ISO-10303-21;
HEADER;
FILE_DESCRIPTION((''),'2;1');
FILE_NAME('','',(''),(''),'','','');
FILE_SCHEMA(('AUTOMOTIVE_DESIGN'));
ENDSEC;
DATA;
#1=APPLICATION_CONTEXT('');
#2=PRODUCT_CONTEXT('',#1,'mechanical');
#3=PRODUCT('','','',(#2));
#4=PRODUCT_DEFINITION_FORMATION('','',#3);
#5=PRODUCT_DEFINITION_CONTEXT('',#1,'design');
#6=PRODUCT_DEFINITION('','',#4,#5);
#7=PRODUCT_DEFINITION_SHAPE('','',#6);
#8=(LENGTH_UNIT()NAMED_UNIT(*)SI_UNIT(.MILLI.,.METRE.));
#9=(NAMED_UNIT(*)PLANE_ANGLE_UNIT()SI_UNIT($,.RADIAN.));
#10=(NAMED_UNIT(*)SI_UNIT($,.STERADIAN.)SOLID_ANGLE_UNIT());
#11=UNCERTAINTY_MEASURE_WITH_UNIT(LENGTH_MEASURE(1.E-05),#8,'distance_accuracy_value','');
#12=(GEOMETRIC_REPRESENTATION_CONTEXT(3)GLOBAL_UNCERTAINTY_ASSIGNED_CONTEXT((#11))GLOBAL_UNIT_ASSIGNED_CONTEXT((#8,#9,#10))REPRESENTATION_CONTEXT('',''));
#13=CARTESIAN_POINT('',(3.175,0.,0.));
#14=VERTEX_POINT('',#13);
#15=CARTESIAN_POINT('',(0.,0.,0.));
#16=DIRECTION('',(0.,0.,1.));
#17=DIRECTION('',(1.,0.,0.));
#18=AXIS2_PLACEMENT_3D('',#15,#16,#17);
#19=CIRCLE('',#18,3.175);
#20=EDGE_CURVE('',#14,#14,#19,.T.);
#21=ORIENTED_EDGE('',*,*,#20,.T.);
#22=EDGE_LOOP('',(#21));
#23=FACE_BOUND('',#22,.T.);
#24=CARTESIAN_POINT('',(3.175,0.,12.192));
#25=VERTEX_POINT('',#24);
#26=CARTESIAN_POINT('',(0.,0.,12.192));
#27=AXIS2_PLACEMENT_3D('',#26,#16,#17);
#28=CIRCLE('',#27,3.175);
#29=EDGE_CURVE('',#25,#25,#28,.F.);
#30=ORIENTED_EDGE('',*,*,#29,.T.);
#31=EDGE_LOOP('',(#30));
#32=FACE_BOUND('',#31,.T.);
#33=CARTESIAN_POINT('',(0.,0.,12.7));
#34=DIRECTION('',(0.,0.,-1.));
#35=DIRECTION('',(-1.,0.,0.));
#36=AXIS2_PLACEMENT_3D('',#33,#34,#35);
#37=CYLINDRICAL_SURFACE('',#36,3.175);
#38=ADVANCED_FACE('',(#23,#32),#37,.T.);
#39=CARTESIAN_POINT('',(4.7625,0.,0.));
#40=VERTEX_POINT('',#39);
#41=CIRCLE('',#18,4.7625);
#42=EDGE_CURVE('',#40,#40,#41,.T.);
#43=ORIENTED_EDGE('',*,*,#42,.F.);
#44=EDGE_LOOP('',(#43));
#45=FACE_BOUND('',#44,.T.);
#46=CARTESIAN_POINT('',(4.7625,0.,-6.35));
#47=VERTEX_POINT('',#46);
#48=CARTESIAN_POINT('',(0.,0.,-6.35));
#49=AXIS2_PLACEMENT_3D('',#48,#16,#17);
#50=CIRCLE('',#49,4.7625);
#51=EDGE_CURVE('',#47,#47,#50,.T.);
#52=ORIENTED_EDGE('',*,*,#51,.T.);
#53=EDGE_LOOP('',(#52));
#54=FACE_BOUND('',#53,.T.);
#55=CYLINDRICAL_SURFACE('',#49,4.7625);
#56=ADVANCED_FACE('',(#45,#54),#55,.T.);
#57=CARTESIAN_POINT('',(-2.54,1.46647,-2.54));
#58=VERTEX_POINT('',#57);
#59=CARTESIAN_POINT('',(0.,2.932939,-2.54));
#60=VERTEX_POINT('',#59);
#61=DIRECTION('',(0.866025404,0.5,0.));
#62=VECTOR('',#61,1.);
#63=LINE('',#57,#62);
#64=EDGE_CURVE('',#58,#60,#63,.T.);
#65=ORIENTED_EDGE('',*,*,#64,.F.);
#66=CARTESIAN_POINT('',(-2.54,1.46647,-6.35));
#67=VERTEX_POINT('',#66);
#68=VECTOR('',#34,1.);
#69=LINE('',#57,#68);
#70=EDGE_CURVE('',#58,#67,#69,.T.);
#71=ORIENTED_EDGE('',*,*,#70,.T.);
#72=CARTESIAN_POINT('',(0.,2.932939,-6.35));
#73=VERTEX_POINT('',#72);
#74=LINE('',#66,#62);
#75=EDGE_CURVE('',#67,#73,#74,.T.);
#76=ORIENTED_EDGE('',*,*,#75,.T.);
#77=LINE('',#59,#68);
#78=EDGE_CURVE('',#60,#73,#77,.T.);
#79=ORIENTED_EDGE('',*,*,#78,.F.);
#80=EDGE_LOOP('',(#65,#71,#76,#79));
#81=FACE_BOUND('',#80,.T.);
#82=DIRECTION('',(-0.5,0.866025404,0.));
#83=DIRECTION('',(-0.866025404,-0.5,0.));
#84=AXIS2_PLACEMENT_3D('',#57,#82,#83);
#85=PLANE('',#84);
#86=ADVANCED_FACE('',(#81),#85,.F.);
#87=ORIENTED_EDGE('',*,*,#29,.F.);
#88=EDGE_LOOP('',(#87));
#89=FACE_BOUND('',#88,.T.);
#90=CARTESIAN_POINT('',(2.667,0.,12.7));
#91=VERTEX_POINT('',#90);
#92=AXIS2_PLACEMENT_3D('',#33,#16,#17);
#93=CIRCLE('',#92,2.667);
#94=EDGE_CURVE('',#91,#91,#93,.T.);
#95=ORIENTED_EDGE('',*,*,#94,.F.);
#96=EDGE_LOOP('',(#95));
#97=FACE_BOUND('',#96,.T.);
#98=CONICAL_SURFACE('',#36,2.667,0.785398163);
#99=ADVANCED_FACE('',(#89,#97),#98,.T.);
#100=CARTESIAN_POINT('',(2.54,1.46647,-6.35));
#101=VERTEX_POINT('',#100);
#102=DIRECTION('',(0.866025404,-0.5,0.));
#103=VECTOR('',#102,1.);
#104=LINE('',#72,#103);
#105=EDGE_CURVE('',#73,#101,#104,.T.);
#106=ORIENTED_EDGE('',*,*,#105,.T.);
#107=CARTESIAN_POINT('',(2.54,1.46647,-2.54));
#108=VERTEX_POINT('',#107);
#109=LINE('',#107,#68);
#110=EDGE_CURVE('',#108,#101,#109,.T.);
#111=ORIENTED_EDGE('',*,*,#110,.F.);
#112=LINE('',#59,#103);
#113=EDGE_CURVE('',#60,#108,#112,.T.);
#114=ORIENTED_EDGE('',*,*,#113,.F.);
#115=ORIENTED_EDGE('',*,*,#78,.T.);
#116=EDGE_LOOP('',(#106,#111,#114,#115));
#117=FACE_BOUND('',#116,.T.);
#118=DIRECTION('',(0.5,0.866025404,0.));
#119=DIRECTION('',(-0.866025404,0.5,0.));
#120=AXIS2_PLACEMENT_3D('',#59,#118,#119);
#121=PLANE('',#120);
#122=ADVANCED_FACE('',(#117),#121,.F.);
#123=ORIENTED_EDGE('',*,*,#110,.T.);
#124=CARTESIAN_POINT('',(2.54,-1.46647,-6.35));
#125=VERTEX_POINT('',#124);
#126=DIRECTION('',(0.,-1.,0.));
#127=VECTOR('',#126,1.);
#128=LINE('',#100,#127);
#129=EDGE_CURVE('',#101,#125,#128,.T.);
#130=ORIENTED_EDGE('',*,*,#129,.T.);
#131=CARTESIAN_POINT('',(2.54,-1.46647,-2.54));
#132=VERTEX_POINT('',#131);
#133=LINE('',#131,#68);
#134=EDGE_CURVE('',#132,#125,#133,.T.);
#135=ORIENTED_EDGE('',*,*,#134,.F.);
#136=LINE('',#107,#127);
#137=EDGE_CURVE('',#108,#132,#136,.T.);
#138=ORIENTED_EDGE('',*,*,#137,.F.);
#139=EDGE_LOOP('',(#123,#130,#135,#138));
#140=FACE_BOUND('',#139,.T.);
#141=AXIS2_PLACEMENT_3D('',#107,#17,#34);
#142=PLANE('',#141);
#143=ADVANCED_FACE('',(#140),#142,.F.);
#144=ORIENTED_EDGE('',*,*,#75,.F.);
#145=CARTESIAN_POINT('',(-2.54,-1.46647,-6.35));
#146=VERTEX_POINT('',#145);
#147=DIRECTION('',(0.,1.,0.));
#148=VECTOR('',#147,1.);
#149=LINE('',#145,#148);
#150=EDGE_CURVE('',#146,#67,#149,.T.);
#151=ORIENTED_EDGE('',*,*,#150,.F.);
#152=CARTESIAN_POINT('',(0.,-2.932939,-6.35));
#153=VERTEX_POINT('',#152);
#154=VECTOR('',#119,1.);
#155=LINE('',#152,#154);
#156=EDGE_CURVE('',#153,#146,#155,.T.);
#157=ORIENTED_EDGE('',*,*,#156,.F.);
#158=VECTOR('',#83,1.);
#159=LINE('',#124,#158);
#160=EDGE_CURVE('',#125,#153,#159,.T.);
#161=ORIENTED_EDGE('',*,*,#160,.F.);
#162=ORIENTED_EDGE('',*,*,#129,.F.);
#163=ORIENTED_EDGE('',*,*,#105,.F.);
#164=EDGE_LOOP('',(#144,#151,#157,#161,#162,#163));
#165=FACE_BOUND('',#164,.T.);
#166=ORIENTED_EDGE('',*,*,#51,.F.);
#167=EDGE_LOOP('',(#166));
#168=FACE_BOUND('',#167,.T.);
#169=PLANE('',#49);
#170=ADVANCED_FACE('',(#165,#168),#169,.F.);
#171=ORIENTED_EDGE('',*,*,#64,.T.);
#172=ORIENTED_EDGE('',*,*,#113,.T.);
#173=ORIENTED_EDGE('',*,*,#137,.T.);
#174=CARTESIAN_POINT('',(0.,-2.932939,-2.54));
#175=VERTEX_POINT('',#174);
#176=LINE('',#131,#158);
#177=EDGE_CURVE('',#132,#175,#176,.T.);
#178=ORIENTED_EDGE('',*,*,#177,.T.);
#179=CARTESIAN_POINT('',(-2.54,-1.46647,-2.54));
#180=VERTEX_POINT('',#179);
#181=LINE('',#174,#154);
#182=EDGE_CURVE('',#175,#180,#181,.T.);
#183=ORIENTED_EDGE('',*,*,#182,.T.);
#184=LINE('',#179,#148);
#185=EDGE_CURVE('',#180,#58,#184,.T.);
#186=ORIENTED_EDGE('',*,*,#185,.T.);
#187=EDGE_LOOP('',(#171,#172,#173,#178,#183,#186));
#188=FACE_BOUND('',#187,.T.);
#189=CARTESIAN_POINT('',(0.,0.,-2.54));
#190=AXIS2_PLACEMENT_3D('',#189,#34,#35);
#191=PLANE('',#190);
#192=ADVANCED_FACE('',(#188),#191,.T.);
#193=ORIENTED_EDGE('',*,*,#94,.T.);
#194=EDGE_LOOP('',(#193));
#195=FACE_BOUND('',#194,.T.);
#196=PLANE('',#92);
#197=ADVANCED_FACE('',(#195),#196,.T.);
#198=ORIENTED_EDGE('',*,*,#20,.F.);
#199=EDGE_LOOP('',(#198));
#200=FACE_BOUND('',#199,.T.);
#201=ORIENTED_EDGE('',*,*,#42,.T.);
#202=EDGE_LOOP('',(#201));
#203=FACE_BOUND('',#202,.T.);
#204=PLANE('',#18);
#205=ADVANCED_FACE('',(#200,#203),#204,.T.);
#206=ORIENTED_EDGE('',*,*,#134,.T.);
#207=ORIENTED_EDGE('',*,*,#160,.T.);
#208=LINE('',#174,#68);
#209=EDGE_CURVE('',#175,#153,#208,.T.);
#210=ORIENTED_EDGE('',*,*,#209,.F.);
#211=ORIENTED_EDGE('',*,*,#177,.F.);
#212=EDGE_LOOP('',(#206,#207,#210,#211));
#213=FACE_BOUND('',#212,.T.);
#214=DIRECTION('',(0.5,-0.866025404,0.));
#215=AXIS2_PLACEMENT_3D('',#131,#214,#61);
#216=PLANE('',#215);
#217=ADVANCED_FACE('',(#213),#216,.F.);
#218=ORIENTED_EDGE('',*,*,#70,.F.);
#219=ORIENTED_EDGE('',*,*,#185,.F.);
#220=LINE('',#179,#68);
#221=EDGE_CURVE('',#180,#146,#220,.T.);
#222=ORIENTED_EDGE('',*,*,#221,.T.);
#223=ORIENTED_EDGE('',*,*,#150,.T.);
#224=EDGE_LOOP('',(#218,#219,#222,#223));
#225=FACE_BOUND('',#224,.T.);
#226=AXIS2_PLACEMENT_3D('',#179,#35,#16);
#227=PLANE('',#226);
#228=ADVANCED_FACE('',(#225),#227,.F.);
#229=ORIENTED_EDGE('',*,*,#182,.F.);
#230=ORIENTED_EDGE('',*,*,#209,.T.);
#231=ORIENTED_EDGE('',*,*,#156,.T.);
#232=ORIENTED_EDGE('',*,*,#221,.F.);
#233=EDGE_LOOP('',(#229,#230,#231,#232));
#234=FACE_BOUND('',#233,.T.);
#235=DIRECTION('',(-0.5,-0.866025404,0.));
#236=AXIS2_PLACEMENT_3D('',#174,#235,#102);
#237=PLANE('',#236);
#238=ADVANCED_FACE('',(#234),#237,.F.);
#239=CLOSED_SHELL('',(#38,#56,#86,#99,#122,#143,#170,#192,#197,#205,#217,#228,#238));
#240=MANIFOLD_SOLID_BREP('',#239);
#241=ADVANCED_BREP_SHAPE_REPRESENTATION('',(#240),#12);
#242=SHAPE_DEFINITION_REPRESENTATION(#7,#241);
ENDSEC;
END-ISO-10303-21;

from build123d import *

# Parameters (mm, degrees)
SKETCH1_R           = 4.7625
BOSS_EXTRUDE1_DEPTH = 6.35
SKETCH2_R           = 3.175
BOSS_EXTRUDE2_DEPTH = 12.7
CHAMFER1_SIZE       = 0.508
CUT_EXTRUDE1_DEPTH  = 3.81


with BuildPart() as part:
    # Sketch1 → Boss-Extrude1 (new body)
    with BuildSketch(Plane.XY):
        Circle(SKETCH1_R)
    extrude(amount=-BOSS_EXTRUDE1_DEPTH)

    # Sketch2 → Boss-Extrude2 (add)
    with BuildSketch(Plane.XY):
        Circle(SKETCH2_R)
    extrude(amount=BOSS_EXTRUDE2_DEPTH)

    # Chamfer1
    chamfer1_edges = [part.edges().sort_by_distance(p)[0] for p in [
        (-3.175, 0, 12.7),
    ]]
    chamfer(chamfer1_edges, length=CHAMFER1_SIZE)

    # Sketch3 → Cut-Extrude1 (cut)
    with BuildSketch(Plane(origin=(0, 0, -6.35), x_dir=(-1, 0, 0), z_dir=(0, 0, -1))):
        Polygon((0, 2.932939367), (-2.54, 1.466469684), (-2.54, -1.466469684), (0, -2.932939367), (2.54, -1.466469684), (2.54, 1.466469684), align=None)
    extrude(amount=-CUT_EXTRUDE1_DEPTH, mode=Mode.SUBTRACT)


solid = part.part
